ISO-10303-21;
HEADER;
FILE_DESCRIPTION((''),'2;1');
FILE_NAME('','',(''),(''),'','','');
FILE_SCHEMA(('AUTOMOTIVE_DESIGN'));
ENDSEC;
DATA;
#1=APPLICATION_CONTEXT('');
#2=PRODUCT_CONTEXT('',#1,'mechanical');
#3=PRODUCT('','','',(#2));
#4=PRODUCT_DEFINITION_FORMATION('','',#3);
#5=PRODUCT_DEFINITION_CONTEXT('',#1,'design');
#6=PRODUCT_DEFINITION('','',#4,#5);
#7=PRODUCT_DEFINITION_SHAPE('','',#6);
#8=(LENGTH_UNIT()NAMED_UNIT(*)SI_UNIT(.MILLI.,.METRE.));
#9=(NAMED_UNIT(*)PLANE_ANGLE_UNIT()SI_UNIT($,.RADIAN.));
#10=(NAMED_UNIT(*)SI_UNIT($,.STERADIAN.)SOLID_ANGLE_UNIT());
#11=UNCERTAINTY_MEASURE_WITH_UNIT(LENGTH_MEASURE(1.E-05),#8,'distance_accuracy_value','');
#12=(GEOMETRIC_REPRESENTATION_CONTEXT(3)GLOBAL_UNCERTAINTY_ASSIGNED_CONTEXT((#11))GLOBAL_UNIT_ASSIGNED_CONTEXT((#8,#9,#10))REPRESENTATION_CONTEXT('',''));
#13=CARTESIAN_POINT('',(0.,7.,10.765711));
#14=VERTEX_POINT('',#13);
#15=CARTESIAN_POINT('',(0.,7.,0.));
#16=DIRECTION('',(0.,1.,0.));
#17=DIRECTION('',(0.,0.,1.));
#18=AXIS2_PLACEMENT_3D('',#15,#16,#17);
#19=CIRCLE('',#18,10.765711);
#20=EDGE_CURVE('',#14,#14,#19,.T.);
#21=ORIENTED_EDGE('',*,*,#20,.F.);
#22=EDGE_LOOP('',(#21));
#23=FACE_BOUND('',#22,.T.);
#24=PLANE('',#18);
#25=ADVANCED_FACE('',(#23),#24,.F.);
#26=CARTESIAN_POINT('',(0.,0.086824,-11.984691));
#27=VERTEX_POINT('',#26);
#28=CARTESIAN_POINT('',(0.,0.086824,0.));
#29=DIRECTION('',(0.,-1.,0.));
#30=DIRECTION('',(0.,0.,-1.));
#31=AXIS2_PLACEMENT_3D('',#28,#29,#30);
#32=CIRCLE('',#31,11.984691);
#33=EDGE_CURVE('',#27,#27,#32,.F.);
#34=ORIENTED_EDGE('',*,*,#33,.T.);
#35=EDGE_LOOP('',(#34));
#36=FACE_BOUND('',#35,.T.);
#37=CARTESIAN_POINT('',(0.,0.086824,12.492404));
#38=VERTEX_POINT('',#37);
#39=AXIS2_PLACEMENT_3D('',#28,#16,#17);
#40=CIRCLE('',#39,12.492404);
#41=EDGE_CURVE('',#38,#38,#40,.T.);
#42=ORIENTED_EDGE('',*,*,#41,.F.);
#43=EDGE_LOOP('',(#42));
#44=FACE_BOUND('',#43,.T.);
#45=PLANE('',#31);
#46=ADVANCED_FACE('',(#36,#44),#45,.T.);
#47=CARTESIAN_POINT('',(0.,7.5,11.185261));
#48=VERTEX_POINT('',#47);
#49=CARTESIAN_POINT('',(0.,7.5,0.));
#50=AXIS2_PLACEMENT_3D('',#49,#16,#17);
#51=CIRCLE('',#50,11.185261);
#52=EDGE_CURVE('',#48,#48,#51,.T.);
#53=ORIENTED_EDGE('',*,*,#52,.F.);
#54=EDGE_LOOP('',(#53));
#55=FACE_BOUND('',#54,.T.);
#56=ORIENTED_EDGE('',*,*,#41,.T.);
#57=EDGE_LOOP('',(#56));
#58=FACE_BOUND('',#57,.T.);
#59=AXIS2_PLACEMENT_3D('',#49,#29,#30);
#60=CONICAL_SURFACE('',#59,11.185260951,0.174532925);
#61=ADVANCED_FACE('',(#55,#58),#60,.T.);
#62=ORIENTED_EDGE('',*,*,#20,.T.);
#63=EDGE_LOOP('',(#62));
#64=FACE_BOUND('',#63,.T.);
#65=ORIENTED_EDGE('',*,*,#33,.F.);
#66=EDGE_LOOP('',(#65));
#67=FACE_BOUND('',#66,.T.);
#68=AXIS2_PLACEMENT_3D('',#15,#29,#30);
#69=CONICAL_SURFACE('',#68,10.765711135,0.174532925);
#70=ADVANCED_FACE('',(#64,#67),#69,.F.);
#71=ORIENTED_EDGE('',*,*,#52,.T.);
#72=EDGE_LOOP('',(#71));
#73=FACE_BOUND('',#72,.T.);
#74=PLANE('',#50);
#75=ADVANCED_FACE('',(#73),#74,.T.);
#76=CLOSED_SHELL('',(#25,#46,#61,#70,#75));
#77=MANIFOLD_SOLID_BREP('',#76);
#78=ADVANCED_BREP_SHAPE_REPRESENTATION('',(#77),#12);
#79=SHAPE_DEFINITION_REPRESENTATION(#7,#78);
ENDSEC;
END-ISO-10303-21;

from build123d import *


with BuildPart() as part:
    # Sketch1 → Revolve-Thin1 (revolve)
    with BuildSketch(Plane.XY, mode=Mode.PRIVATE) as revolve_thin1_sk:
        Polygon((0, 7), (-10.765711135, 7), (-12, 0), (-12.492403877, 0.086824089), (-11.185260951, 7.5), (0, 7.5), align=None)
    revolve(revolve_thin1_sk.sketch.rotate(Axis((0, 62.169205868, 0), (0, -1, 0)), 270), axis=Axis((0, 62.169205868, 0), (0, -1, 0)))

    # Split1
    split(bisect_by=Plane(origin=(0, 0.086824089, 0), x_dir=(0, 0, -1), z_dir=(0, -1, 0)), keep=Keep.BOTTOM)


solid = part.part
